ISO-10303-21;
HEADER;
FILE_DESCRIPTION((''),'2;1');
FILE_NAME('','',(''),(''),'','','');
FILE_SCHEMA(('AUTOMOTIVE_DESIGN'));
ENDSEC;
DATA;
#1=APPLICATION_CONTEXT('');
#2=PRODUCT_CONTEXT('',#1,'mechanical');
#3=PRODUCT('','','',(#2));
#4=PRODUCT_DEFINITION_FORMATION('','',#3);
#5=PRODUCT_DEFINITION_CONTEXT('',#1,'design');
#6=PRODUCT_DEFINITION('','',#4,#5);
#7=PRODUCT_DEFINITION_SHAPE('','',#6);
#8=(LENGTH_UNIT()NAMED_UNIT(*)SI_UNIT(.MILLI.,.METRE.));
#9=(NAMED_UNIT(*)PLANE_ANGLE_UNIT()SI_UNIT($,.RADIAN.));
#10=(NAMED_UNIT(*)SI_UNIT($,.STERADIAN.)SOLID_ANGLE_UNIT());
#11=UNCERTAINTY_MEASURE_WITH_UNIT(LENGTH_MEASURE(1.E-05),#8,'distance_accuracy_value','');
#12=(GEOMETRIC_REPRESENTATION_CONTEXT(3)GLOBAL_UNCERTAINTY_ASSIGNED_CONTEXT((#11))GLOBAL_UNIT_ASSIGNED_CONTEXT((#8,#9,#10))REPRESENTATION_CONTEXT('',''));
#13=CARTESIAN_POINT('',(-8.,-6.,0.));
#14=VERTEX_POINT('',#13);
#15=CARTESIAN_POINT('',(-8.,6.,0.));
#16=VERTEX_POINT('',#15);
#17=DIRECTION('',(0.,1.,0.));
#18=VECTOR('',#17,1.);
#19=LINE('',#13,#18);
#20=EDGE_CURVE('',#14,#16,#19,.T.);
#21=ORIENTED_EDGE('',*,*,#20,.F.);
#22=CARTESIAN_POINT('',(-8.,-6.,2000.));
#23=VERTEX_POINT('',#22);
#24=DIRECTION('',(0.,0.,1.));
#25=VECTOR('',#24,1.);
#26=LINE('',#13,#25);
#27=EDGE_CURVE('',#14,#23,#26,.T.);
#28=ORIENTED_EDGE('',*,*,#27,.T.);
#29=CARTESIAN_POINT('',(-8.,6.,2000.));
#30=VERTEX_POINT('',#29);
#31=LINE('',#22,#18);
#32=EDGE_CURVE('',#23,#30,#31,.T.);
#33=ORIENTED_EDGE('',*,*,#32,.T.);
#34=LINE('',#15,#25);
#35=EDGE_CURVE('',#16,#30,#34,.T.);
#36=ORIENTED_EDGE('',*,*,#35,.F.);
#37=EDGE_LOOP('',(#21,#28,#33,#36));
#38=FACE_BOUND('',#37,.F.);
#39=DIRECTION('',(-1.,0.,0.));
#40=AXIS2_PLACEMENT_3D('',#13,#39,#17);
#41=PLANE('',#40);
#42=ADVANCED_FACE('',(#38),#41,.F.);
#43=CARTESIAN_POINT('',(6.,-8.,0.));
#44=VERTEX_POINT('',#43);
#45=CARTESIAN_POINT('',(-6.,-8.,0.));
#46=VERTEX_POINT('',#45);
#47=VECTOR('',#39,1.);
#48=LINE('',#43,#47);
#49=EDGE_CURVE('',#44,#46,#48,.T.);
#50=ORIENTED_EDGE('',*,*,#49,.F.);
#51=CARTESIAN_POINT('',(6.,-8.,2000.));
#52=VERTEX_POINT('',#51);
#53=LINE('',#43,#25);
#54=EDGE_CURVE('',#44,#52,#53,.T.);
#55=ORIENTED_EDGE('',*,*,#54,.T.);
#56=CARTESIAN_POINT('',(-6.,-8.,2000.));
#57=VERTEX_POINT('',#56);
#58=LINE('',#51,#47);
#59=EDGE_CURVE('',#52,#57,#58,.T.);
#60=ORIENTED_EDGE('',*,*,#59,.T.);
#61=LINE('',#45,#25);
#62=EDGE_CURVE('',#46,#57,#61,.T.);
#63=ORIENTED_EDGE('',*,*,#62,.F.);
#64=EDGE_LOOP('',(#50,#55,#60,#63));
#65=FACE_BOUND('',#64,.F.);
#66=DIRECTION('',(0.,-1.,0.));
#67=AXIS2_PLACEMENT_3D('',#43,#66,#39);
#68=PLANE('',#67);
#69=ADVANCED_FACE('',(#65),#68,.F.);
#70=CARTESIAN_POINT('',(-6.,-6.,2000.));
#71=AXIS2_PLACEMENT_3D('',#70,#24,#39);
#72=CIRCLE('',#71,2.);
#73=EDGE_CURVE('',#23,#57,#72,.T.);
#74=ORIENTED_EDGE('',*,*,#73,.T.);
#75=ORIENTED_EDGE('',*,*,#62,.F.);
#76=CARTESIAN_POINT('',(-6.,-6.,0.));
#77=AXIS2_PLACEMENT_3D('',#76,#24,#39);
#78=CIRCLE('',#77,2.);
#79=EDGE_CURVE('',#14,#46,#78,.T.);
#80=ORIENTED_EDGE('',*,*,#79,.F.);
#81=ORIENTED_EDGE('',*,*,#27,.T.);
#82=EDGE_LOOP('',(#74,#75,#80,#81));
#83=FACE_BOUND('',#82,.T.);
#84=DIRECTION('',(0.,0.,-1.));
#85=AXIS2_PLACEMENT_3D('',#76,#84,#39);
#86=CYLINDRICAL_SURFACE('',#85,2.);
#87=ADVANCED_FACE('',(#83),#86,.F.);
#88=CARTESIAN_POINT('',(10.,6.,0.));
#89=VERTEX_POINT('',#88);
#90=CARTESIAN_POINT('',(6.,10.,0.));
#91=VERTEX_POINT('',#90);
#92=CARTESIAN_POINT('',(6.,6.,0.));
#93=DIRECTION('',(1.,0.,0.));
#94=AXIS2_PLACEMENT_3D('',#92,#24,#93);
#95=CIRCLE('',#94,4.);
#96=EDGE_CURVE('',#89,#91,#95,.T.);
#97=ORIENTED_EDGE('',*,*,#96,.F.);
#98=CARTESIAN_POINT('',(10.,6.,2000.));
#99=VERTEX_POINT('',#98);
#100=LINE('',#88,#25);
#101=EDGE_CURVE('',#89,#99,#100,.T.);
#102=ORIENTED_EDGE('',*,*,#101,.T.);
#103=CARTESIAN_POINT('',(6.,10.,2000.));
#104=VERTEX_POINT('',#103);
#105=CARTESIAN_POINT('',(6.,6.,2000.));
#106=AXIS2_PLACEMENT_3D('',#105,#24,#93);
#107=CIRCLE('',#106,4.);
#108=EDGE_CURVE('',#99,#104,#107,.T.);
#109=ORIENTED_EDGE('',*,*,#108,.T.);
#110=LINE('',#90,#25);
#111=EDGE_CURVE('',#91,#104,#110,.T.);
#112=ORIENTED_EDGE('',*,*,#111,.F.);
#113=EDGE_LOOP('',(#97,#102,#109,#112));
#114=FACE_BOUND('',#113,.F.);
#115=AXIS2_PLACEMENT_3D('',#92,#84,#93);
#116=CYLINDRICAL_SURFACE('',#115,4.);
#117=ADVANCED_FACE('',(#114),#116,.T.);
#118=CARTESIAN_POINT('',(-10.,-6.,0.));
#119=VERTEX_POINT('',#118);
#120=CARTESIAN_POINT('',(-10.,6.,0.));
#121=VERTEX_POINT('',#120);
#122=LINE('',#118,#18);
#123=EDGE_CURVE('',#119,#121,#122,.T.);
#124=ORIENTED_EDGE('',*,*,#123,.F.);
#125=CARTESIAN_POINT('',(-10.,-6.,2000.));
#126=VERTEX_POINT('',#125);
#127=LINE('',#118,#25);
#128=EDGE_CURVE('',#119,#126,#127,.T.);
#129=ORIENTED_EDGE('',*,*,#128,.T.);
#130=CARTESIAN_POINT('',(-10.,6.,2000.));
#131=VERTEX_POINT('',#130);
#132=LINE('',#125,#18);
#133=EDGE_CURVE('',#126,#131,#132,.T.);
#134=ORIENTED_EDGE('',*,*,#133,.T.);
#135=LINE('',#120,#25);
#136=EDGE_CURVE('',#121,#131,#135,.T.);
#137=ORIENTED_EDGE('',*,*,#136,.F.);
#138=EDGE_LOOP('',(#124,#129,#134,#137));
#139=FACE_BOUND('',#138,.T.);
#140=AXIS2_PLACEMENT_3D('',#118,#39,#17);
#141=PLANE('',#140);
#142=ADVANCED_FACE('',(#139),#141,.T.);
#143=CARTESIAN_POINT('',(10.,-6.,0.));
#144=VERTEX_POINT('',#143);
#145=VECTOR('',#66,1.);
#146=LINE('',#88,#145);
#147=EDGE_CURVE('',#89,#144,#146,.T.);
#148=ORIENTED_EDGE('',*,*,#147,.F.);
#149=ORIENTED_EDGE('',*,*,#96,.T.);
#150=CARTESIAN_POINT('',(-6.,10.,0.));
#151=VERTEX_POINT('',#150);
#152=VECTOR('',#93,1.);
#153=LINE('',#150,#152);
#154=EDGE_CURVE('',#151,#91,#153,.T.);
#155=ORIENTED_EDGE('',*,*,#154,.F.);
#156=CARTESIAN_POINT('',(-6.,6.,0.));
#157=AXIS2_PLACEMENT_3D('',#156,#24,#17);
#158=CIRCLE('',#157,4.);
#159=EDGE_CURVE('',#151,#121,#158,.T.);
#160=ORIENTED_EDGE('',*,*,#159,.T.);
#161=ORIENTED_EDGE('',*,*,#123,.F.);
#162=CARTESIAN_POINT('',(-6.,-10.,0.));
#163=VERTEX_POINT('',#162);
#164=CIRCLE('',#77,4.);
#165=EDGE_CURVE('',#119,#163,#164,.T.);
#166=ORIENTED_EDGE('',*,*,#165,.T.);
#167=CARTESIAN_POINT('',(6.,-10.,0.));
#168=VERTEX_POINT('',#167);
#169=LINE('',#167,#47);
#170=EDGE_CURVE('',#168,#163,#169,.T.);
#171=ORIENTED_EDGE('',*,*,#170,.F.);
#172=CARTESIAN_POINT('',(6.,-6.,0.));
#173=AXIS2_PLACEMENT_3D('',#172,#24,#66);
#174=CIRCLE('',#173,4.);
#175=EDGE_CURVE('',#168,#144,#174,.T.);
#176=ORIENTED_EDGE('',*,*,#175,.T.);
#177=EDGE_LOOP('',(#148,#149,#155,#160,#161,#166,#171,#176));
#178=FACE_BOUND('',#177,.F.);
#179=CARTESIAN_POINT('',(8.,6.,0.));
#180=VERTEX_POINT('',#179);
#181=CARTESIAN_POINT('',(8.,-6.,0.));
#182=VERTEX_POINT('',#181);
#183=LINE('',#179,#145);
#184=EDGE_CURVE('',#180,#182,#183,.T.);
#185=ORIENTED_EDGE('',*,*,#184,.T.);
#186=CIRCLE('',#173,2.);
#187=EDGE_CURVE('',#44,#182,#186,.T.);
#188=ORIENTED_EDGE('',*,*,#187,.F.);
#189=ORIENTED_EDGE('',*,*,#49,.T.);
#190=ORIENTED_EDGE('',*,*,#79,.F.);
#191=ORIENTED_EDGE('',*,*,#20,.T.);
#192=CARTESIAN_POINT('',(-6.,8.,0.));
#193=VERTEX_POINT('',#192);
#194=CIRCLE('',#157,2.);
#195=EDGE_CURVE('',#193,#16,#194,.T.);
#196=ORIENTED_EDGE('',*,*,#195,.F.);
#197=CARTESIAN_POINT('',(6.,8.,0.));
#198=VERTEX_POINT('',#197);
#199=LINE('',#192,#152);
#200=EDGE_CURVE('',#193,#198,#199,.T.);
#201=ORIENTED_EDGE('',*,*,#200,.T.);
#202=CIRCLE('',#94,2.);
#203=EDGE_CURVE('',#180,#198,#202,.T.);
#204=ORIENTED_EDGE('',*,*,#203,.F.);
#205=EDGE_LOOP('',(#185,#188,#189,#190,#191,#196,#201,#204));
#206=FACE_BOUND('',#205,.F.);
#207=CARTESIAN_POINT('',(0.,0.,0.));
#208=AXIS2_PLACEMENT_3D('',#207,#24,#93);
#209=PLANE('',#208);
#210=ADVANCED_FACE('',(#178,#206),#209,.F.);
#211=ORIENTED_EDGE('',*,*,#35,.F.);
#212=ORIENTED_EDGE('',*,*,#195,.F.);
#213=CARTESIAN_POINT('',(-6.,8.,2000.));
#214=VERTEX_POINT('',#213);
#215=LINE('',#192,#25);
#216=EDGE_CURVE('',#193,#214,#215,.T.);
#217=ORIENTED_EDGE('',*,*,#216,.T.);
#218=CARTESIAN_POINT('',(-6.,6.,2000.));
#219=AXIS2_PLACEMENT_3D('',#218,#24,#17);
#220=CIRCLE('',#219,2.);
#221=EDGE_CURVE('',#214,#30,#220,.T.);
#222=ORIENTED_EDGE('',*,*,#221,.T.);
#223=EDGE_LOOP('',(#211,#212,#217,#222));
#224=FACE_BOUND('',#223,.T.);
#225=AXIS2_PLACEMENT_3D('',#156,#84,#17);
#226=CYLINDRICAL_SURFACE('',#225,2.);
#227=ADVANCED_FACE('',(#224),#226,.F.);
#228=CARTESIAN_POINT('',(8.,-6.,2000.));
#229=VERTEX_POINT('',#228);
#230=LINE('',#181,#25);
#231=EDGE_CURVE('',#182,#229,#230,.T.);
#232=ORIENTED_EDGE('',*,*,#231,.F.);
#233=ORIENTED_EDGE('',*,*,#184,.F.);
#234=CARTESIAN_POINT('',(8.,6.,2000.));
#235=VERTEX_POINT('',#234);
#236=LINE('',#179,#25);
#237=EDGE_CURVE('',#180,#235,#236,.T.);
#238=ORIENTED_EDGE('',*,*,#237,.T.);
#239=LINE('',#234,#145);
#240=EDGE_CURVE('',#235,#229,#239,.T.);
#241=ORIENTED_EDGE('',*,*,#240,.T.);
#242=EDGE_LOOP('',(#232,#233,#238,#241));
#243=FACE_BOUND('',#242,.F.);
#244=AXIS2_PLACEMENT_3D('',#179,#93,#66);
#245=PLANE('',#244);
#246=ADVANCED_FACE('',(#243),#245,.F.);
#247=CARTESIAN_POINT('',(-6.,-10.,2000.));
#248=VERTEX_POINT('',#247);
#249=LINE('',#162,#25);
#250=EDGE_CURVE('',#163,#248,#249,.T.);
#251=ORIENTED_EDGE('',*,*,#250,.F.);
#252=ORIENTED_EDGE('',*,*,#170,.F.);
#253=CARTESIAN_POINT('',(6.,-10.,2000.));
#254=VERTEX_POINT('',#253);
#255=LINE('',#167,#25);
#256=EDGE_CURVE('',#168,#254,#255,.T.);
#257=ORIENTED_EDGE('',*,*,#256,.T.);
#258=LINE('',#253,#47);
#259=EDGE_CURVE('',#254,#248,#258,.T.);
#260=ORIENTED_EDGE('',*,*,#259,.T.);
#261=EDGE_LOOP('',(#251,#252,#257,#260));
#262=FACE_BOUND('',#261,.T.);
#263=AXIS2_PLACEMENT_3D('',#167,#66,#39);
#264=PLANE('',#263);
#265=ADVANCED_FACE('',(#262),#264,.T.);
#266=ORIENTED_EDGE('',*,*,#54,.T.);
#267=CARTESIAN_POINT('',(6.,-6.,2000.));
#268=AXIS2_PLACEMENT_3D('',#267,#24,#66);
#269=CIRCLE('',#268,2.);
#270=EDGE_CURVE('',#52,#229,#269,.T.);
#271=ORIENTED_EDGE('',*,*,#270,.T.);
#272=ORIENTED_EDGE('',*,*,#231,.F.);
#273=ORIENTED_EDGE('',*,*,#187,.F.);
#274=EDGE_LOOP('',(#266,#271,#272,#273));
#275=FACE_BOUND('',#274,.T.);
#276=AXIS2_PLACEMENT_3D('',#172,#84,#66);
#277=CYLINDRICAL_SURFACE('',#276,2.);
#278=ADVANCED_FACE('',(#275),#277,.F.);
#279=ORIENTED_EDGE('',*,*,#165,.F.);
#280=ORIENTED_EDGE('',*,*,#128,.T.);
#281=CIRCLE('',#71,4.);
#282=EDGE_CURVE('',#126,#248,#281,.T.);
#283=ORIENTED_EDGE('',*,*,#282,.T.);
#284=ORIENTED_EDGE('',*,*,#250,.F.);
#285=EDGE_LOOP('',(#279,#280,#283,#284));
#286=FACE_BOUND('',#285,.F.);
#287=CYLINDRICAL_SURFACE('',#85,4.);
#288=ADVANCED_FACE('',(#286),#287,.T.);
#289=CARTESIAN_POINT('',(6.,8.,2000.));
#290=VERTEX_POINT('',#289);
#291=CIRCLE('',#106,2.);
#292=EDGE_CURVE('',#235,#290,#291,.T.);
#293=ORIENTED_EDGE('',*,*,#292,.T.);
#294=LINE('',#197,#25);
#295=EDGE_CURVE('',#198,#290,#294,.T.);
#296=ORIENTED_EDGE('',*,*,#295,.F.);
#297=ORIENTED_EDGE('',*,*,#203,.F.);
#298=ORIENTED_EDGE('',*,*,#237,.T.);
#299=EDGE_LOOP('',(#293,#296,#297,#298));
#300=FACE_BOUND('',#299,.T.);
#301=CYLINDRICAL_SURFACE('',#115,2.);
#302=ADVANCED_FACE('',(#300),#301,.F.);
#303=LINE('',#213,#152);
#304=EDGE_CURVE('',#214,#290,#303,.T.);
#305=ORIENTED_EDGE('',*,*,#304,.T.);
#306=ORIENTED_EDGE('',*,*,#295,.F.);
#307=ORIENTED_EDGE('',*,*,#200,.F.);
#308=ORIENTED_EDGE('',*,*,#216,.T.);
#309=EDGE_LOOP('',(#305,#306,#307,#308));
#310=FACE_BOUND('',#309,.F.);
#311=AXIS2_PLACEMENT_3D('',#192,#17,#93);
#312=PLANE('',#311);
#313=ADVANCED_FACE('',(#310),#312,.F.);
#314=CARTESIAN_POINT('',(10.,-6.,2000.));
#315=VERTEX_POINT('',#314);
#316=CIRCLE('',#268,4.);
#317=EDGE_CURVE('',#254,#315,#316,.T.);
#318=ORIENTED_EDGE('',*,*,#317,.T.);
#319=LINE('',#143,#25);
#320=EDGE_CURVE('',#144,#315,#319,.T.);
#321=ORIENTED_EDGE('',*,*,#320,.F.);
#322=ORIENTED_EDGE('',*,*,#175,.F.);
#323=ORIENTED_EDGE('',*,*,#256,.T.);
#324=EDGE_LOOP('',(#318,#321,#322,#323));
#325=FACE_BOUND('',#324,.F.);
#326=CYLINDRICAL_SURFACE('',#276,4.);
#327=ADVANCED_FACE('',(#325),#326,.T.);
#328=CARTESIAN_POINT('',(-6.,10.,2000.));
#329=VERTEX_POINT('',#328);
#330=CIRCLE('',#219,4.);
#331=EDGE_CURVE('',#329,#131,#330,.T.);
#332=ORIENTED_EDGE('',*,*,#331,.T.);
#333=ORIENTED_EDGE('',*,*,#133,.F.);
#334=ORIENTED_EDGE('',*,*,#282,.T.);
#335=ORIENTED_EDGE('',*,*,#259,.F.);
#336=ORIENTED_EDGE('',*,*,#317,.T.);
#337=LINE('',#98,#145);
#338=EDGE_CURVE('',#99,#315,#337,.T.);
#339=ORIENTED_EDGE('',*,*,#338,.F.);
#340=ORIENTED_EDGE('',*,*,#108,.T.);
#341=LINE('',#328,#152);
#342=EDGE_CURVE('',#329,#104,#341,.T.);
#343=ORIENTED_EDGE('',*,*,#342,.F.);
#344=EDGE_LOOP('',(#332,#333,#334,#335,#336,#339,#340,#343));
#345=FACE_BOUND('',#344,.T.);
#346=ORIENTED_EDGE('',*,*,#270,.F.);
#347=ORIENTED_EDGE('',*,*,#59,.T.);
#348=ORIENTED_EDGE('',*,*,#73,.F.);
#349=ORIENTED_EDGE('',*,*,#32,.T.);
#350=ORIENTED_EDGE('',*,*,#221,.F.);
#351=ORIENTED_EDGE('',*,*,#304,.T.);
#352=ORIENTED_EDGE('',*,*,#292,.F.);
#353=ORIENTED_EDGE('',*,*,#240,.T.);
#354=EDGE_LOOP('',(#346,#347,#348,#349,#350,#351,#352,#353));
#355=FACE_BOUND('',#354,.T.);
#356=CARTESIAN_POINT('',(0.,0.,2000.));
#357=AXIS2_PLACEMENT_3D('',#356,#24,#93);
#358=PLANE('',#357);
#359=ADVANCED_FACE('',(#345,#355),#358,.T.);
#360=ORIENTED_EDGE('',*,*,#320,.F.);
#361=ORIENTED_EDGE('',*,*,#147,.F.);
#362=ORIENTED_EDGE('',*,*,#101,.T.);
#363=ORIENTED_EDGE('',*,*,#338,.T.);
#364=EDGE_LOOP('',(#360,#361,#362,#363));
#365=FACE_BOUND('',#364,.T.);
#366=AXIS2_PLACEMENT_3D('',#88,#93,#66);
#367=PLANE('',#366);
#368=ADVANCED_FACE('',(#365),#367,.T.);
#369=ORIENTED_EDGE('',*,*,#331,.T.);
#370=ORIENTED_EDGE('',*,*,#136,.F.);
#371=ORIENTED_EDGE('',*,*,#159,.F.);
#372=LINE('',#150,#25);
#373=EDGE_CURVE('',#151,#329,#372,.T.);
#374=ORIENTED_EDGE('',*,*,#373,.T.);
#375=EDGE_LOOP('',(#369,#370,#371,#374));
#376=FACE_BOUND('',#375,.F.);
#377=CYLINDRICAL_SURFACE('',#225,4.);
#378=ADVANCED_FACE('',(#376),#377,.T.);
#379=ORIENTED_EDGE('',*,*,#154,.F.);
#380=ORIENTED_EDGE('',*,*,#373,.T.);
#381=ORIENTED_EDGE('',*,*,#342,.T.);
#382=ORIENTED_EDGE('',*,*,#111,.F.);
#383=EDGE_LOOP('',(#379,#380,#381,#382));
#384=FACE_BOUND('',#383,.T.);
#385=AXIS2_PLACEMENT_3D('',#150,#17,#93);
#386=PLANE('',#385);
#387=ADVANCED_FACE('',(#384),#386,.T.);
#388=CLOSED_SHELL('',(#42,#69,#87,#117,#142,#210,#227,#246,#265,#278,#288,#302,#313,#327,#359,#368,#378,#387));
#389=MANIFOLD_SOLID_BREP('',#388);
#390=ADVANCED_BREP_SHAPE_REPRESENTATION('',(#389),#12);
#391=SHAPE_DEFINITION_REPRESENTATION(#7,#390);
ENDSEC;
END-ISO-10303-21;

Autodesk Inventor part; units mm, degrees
ref_plane "YZ Plane" through (0, 0, 0) normal (1, 0, 0) x (0, 1, 0)
ref_plane "Płaszczyzna początkowa" through (0, 0, 0) normal (0, 0, 1) x (1, 0, 0)
ref_plane "Płaszczyzna końcowa" through (0, 0, 2000) normal (0, 0, 1) x (1, 0, 0)
sketch "Szkic" plane through (0, 0, 0) normal (0, 0, 1) x (1, 0, 0)
  line L0 (-10, -6) -> (-10, 6)
  line L1 (-6, 10) -> (6, 10)
  line L2 (10, 6) -> (10, -6)
  line L3 (6, -10) -> (-6, -10)
  arc A0 (-10, -6) -> (-6, -10) centre (-6, -6) ccw
  arc A1 (10, 6) -> (6, 10) centre (6, 6) ccw
  arc A2 (-6, 10) -> (-10, 6) centre (-6, 6) ccw
  arc A3 (6, -10) -> (10, -6) centre (6, -6) ccw
  arc A4 (-6, 8) -> (-8, 6) centre (-6, 6) ccw
  line L4 (-6, 8) -> (6, 8)
  arc A5 (8, 6) -> (6, 8) centre (6, 6) ccw
  line L5 (8, 6) -> (8, -6)
  arc A6 (6, -8) -> (8, -6) centre (6, -6) ccw
  line L6 (6, -8) -> (-6, -8)
  arc A7 (-8, -6) -> (-6, -8) centre (-6, -6) ccw
  line L7 (-8, -6) -> (-8, 6)
  line L8 (0, 37.1021) -> (0, -37.1021) construction
  line L9 (-23.1021, 0) -> (23.1021, 0) construction
  dimension "d7" = 4
  dimension "d9" = 20
  dimension "d11" = 20
  dimension "d12" = 2
  dimension "d15" = 10
  dimension "d16" = 10
extrude "Bryła" add sketch "Szkic" along normal up to surface (2000 mm away) from surface at 0
sketch "Sketch3" plane through (0, 0, 0) normal (0, 0, 1) x (1, 0, 0)
  line L0 (0, 0) -> (10, 0)
ref_plane "Work Plane3" through (0, 0, 0) normal (0, -1, 0) x (1, 0, 0)
sketch "Sketch4" plane through (0, 0, 0) normal (0, -1, 0) x (1, 0, 0)
  line L0 (-2, 0) -> (12, 0)
  line L1 (-2, 2000) -> (12, 2000)
  dimension "d18" = 2000
equation "\"d7\" = G_IR"
equation "\"d9\" = G_W"
equation "\"d11\" = G_H"
equation "\"d12\" = G_T"
equation "\"d15\" = 0.5 * d9"
equation "\"d16\" = 0.5 * d11"
equation "\"d3\" = G_L"
equation "\"G_W\" = 20"
equation "\"G_H\" = 20"
equation "\"G_T\" = 2"
equation "\"G_IR\" = 4"
equation "\"G_L\" = d18"
equation "\"G_OFFSET_START\" = 0"
equation "\"G_OFFSET_END\" = 0"
properties part number "ISO 10799-2 - 20x20x2 - 2000" material "Stal, miękka"
